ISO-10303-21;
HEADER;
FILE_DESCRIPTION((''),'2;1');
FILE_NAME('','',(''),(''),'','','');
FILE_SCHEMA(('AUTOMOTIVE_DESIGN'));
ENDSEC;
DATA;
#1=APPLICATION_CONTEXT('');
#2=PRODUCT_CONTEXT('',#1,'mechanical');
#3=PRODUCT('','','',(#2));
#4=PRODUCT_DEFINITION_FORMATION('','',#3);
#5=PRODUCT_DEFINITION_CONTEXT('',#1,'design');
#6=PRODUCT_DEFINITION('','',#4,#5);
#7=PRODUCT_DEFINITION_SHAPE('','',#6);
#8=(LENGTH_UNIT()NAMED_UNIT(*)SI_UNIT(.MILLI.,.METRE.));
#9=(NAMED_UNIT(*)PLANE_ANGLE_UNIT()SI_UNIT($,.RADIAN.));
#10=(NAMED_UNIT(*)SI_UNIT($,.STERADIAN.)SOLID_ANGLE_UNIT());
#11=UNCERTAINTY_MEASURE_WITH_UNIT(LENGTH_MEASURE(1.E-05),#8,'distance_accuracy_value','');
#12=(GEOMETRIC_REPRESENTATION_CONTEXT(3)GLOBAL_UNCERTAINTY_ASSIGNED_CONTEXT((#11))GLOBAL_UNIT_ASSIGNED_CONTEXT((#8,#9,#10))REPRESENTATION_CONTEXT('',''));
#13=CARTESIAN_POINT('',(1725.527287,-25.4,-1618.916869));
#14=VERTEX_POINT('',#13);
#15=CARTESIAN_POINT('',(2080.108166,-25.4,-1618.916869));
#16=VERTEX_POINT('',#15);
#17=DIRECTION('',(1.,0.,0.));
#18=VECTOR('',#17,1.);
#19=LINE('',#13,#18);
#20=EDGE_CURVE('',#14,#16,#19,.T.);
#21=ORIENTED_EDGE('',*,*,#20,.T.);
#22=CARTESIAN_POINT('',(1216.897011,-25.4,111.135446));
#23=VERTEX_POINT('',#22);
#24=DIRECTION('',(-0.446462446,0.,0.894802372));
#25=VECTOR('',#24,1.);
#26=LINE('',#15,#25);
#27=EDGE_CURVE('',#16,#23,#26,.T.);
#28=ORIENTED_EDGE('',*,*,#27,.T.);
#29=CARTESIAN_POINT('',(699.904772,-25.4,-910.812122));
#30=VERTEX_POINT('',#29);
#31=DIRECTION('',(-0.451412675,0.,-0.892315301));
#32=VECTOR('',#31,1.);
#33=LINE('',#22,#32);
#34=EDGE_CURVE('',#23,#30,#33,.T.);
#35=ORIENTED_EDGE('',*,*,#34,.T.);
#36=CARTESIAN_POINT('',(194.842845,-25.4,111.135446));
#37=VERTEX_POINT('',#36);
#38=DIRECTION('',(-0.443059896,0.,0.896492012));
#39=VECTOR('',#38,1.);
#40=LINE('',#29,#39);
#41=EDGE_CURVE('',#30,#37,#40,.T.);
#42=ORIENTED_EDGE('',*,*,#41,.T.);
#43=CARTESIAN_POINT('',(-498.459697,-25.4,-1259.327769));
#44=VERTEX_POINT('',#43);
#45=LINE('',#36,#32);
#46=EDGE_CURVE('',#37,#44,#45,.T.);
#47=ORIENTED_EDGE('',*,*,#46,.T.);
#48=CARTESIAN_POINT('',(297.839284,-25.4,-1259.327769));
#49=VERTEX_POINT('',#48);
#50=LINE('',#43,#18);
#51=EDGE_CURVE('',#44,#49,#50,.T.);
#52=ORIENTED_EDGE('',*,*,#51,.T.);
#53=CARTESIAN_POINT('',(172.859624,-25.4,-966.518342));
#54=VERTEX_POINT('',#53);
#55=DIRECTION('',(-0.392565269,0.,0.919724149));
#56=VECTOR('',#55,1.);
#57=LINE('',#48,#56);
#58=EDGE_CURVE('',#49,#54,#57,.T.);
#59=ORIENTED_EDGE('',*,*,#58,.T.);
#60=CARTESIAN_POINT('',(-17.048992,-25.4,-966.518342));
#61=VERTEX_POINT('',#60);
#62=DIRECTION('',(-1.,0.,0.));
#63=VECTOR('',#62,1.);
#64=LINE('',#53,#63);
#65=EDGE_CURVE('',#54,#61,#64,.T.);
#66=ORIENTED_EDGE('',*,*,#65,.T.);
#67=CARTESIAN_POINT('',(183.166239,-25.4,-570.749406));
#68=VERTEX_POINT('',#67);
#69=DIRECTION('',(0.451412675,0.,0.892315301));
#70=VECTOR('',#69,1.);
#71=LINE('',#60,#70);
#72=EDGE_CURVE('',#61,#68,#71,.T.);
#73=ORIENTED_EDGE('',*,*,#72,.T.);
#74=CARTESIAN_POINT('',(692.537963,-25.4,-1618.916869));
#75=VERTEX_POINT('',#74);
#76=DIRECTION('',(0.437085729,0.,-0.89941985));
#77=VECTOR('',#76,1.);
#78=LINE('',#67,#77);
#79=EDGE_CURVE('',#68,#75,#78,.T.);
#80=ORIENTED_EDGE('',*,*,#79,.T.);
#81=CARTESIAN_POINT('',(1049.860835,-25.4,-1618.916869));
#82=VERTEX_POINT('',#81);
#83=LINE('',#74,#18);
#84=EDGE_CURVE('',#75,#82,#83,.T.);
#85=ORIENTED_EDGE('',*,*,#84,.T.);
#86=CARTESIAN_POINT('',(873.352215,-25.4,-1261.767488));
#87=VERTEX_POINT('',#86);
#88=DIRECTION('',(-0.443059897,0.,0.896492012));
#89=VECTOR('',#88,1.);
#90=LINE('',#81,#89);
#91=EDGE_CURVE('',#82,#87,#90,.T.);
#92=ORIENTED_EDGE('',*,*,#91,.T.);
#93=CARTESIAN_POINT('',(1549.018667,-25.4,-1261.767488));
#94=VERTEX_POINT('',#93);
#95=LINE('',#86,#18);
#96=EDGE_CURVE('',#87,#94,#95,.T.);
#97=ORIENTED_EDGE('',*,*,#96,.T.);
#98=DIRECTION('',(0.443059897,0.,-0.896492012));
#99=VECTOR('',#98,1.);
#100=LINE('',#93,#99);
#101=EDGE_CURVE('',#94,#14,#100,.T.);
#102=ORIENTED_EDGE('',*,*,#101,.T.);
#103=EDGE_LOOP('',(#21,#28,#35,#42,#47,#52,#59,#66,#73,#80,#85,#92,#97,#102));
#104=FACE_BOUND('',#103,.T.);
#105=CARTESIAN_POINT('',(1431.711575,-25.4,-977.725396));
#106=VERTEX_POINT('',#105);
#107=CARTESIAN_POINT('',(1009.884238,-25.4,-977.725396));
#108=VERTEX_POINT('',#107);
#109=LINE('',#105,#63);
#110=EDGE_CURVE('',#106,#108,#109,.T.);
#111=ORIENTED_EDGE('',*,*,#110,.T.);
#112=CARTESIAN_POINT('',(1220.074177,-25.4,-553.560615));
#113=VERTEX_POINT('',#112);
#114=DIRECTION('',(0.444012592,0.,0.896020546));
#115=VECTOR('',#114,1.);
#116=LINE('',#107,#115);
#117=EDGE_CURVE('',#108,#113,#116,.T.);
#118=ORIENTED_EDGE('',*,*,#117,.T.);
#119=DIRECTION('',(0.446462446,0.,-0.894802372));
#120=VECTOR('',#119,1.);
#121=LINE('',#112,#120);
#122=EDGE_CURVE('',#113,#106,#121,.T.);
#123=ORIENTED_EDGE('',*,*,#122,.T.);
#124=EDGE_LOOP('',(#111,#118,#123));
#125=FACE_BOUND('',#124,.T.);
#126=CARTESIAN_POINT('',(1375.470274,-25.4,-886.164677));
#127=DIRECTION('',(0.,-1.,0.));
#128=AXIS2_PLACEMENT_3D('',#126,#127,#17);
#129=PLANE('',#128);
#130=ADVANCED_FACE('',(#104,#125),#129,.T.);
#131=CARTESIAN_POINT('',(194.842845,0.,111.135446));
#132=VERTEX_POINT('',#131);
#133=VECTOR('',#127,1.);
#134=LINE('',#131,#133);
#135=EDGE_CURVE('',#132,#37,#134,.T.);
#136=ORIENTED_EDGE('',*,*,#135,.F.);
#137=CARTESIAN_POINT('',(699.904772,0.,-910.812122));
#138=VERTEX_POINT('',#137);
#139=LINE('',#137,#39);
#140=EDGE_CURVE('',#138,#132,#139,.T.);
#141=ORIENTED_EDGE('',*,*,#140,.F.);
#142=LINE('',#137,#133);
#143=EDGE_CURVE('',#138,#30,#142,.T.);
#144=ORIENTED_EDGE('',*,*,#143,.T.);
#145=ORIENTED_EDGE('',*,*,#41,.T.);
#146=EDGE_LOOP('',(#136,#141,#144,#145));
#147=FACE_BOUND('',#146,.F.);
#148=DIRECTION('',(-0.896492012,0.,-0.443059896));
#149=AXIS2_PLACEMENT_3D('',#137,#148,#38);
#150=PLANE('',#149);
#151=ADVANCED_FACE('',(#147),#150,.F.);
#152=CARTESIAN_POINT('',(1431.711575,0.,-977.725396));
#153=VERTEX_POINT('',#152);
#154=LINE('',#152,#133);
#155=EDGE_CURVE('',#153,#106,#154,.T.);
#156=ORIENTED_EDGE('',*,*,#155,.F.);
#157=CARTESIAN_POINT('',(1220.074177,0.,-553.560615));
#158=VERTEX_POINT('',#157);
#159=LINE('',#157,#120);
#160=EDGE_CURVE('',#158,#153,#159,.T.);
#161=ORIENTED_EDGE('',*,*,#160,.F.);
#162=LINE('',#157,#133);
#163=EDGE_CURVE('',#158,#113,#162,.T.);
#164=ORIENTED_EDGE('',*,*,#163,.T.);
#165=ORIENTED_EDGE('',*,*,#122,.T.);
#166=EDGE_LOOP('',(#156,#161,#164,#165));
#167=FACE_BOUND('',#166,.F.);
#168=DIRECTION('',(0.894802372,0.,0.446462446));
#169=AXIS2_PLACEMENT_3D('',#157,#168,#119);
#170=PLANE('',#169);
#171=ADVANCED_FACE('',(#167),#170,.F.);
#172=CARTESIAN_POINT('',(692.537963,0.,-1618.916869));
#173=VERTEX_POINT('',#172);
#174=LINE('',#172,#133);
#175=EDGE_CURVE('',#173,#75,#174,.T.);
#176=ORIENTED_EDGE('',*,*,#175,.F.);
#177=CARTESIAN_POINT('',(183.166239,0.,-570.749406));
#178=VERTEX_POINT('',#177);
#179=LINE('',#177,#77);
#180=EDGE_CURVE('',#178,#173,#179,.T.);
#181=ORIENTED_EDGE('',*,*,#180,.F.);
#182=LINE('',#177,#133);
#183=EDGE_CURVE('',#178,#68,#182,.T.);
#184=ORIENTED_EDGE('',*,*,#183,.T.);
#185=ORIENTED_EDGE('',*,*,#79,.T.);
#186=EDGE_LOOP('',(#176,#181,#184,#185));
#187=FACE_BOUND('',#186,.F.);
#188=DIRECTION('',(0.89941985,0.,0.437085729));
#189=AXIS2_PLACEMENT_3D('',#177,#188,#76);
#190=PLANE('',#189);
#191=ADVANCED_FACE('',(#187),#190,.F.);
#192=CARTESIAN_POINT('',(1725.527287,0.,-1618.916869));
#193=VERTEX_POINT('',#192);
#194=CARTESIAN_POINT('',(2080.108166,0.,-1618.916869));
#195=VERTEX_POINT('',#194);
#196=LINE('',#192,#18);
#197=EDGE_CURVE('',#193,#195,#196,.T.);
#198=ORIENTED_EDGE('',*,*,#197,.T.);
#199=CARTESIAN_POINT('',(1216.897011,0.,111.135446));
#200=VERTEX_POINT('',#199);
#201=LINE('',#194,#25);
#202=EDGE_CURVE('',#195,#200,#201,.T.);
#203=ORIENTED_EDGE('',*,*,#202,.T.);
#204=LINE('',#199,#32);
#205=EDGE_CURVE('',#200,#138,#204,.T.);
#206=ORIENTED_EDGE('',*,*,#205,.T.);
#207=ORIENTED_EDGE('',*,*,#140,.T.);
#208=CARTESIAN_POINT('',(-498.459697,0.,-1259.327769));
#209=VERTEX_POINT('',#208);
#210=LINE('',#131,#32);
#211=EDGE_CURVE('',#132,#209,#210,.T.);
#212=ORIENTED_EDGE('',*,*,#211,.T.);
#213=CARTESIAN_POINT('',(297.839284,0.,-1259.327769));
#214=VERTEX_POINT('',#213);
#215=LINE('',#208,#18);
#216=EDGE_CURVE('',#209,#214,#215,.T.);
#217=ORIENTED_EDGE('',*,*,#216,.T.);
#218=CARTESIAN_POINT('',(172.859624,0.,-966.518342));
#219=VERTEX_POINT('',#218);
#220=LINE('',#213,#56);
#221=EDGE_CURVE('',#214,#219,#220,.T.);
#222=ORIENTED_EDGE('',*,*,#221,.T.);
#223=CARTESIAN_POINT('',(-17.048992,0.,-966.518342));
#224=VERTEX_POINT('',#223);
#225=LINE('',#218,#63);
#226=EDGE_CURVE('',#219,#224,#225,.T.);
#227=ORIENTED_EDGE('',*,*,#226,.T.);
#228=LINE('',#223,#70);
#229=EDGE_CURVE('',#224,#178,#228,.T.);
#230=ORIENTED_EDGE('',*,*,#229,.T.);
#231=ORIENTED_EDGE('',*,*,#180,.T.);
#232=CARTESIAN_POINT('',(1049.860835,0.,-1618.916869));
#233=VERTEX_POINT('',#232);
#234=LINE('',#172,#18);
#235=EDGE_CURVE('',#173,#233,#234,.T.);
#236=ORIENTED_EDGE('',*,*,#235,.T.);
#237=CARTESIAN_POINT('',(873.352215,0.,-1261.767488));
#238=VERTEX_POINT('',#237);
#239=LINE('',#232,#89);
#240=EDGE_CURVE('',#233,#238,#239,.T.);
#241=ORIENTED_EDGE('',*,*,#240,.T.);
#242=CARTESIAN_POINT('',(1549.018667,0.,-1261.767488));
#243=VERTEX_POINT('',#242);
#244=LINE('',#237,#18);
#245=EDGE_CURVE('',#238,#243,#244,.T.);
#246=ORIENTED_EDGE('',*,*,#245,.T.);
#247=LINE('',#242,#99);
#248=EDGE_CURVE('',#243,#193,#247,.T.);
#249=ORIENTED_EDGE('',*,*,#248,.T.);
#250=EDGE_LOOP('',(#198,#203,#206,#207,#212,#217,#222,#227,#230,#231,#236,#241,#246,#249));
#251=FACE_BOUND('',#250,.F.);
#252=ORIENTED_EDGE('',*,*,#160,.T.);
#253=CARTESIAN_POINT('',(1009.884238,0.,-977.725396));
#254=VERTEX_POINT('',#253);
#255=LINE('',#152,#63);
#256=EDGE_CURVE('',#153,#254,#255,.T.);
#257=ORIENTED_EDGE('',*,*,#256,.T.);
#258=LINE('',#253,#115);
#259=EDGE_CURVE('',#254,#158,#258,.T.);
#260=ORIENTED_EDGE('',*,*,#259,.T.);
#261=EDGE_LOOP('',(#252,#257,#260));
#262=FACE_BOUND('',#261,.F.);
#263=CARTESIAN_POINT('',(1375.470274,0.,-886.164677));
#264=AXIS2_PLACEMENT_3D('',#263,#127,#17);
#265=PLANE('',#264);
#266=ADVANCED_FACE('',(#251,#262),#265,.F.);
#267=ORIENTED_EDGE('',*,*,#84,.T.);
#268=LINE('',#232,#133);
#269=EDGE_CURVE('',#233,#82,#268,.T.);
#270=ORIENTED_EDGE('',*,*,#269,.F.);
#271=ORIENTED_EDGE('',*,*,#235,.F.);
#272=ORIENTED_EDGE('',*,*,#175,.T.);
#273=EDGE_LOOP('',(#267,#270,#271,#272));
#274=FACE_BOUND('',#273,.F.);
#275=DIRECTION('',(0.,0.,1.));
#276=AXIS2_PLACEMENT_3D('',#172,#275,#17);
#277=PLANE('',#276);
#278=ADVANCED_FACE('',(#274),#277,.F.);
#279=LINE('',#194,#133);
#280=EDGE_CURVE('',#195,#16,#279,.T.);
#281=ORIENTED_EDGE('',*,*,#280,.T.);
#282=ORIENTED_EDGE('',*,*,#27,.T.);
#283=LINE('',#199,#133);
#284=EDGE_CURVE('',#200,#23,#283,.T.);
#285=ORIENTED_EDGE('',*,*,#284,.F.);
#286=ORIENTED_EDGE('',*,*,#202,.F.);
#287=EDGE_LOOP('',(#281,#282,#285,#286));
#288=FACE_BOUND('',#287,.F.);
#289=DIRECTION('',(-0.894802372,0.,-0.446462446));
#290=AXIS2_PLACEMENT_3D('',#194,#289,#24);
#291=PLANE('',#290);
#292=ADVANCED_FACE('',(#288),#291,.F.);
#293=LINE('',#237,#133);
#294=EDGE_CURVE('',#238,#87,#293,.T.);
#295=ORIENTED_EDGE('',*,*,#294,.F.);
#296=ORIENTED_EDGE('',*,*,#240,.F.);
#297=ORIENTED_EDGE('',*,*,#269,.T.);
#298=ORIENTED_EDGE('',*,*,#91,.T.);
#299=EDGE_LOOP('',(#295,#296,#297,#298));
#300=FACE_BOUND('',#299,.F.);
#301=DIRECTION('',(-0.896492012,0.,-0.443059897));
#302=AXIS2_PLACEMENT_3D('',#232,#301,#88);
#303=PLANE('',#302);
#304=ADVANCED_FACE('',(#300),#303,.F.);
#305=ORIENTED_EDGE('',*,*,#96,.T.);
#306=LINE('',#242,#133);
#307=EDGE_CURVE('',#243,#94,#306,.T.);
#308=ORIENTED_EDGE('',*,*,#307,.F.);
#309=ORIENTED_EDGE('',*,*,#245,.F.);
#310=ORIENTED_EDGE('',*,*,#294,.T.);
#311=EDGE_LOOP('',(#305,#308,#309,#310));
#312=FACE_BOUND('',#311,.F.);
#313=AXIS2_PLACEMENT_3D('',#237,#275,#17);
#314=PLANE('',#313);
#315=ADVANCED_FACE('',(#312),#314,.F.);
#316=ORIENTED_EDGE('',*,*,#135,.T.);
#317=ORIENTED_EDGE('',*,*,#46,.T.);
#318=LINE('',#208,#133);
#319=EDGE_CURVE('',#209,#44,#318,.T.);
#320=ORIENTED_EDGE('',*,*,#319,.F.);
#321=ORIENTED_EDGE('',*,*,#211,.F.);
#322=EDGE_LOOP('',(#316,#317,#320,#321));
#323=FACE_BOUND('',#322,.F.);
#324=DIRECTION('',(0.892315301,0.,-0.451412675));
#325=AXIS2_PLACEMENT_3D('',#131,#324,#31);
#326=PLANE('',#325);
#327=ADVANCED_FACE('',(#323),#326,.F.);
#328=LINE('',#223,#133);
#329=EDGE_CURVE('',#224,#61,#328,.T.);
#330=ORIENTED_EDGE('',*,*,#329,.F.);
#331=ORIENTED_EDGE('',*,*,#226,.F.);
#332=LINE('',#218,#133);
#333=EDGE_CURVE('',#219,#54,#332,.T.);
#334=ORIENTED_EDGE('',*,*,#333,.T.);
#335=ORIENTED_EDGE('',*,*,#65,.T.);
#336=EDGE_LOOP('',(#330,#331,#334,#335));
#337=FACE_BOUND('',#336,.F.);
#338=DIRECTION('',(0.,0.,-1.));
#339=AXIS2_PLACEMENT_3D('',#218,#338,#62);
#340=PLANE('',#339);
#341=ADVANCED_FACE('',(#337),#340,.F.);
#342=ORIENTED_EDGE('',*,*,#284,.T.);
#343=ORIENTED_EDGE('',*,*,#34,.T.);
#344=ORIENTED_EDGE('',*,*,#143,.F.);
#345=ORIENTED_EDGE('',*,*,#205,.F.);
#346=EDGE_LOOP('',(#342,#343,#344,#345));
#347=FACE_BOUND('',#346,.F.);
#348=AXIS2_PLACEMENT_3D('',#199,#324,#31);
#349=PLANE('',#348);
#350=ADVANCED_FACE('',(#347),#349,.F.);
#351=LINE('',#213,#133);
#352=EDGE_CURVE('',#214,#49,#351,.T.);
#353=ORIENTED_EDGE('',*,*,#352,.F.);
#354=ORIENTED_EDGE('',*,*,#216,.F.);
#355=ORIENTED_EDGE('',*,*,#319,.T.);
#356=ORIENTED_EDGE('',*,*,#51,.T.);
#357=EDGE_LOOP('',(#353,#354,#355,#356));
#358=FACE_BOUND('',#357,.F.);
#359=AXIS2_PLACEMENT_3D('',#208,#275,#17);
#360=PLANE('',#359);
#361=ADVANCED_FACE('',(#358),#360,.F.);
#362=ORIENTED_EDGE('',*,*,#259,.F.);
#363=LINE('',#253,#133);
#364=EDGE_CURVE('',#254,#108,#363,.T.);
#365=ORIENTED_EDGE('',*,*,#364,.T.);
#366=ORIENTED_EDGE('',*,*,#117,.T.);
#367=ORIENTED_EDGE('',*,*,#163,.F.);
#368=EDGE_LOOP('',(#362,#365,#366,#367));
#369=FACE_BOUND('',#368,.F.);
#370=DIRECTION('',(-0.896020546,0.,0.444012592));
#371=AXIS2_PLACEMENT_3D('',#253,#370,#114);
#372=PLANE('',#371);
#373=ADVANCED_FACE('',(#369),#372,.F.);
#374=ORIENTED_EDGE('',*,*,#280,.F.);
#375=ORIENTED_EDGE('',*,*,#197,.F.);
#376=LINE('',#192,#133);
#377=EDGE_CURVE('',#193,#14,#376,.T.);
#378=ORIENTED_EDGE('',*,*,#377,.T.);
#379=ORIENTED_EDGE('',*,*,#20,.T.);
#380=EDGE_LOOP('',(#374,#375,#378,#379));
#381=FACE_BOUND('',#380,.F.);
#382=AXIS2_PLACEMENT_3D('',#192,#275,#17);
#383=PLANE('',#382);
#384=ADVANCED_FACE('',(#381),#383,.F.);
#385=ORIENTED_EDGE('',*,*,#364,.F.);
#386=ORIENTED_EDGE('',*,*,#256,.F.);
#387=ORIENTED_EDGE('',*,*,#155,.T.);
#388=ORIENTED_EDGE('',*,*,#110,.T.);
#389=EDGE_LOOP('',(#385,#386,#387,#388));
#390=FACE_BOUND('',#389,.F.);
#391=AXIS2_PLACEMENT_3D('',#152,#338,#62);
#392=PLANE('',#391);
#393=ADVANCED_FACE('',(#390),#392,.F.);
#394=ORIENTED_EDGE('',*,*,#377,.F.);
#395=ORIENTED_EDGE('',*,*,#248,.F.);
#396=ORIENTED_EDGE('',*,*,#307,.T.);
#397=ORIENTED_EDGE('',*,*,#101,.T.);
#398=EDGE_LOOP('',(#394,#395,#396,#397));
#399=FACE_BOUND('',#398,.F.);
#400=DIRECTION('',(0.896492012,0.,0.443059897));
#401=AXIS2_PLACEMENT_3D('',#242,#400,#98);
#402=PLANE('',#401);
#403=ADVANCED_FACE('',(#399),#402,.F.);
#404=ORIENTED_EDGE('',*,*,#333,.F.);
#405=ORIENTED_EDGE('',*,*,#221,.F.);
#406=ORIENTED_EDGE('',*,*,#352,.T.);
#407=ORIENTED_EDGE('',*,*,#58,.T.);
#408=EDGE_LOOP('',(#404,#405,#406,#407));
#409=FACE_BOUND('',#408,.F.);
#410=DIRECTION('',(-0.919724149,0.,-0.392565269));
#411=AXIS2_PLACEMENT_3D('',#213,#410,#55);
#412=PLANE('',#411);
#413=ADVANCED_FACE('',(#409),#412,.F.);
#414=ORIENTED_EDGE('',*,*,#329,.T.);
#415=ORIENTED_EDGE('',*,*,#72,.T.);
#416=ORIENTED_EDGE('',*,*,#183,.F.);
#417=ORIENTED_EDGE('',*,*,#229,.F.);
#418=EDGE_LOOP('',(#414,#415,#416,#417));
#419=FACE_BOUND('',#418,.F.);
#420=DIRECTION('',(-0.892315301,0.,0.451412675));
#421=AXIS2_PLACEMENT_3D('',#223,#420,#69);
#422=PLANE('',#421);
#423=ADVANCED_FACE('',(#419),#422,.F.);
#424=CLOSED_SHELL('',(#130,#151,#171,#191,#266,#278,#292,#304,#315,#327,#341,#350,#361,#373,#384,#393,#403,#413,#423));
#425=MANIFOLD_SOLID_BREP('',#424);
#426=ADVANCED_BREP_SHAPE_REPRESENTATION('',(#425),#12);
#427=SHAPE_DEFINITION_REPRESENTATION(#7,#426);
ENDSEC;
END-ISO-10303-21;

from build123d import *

# Parameters (mm, degrees)
F1_DEPTH = 25.4


with BuildPart() as f1:
    # F0 (on Front) → F1 (new body)
    with BuildSketch(Plane.XZ):
        Polygon((1216.897011, 111.135446), (699.904772, -910.812122), (873.352215, -1261.767488), (1549.018667, -1261.767488), (1725.527287, -1618.916869), (2080.108166, -1618.916869), align=None)
        Polygon((1009.884238, -977.725396), (1220.074177, -553.560615), (1431.711575, -977.725396), align=None, mode=Mode.SUBTRACT)
        Polygon((699.904772, -910.812122), (194.842845, 111.135446), (-498.459697, -1259.327769), (297.839284, -1259.327769), (172.859624, -966.518342), (-17.048992, -966.518342), (183.166239, -570.749406), (692.537963, -1618.916869), (1049.860835, -1618.916869), (873.352215, -1261.767488), align=None)
    extrude(amount=F1_DEPTH)


solid = f1.part
